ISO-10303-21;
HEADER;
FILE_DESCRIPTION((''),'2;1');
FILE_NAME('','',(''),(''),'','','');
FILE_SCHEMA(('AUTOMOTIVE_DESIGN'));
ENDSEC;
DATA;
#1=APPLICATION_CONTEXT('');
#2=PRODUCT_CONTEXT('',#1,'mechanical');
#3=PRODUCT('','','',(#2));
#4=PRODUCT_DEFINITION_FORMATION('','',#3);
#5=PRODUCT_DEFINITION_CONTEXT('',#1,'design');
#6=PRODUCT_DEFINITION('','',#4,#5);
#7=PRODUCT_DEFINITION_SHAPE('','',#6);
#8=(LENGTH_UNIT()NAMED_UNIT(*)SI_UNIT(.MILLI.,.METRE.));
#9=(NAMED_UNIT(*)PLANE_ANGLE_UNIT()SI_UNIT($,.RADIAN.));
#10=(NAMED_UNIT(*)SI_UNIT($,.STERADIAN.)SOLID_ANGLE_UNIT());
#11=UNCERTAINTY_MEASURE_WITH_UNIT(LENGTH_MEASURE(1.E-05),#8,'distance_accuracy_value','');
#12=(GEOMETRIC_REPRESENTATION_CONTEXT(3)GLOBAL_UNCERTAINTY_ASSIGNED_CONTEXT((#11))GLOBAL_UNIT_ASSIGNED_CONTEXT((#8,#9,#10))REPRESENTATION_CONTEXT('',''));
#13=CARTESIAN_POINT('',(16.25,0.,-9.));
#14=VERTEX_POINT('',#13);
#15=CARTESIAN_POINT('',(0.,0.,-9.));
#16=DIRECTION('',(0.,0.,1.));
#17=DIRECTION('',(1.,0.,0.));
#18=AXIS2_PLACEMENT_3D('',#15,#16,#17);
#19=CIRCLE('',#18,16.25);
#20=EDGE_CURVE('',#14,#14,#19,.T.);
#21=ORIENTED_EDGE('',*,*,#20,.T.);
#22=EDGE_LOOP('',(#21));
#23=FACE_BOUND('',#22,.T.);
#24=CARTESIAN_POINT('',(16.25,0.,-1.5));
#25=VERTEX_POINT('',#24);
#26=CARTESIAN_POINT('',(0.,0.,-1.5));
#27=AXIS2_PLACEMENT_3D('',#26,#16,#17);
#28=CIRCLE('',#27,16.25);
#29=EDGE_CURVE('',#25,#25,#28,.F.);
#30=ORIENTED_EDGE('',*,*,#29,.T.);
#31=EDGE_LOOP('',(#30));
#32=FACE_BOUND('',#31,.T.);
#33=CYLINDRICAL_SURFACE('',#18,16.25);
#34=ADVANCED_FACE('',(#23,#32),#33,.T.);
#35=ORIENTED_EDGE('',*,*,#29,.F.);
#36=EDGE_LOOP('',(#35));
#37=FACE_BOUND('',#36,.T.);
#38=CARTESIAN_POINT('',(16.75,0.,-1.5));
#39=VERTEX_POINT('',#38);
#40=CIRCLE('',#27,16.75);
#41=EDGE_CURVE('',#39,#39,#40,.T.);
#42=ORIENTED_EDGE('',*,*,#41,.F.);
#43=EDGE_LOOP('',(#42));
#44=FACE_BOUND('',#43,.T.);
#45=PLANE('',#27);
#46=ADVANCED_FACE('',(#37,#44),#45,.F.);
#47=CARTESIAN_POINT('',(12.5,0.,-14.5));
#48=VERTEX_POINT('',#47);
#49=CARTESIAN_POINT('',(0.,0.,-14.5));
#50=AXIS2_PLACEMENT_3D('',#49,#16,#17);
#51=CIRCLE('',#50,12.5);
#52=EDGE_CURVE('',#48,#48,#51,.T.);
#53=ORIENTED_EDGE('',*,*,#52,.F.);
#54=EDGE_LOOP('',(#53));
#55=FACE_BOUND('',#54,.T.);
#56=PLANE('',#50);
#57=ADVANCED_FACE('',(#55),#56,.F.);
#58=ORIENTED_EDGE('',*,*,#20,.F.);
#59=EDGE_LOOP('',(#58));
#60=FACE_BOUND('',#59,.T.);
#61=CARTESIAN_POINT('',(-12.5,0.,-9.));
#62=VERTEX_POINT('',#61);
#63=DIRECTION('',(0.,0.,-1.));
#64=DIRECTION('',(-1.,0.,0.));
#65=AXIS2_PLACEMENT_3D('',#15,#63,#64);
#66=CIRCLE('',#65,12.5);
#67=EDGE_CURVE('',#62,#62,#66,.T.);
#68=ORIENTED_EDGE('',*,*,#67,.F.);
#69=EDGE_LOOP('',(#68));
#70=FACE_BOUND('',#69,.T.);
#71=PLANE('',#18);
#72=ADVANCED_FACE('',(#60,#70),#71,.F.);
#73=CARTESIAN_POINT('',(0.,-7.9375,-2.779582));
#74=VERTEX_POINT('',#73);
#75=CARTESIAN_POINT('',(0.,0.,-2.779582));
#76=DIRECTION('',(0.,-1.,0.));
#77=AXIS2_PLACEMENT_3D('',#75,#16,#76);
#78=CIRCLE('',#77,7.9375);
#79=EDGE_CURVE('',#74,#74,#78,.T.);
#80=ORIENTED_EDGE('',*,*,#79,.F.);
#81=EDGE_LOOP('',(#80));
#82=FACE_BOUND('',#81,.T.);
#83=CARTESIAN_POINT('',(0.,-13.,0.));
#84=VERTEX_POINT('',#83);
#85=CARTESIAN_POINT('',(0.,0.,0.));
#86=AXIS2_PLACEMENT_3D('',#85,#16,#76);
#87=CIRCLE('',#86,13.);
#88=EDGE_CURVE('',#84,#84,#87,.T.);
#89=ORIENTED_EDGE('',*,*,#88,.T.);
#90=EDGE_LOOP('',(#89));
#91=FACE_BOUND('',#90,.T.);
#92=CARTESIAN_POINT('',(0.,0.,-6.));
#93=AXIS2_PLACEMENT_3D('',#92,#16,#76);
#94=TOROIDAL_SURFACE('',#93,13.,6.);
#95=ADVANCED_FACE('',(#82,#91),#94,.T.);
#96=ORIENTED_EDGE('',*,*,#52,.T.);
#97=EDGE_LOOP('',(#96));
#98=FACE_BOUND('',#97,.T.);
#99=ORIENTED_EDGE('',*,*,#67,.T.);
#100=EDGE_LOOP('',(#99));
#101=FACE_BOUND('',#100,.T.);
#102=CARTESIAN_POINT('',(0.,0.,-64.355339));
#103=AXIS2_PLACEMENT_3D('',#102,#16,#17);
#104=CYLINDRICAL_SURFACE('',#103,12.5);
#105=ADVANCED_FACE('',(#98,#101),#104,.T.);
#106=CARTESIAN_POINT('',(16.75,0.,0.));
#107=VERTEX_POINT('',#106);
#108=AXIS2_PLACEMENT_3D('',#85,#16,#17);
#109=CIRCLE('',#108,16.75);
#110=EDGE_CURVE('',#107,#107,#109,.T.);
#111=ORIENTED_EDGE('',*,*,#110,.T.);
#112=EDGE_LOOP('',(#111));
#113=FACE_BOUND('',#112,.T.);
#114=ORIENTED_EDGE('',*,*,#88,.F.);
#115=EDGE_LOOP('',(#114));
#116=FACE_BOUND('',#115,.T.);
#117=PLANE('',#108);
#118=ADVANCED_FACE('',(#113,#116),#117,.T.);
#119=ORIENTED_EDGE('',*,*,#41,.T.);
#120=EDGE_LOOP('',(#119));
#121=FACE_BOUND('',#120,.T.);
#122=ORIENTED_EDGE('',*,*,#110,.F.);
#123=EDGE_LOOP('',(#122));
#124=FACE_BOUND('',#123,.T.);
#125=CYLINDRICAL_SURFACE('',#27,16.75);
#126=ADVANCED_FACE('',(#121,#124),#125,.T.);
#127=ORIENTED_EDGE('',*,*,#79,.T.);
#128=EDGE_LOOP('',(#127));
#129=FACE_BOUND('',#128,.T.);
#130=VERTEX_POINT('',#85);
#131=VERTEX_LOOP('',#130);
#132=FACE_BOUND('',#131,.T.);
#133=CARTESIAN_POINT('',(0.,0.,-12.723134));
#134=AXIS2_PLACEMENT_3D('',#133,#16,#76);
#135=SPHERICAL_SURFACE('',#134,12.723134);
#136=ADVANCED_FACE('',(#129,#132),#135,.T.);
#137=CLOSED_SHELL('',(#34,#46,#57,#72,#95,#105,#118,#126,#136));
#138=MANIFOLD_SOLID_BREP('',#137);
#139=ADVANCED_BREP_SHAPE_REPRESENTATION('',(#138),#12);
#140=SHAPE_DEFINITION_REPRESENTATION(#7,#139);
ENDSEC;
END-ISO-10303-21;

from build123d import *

# Parameters (mm, degrees)
SKETCH1_R           = 16.25
BOSS_EXTRUDE1_DEPTH = 9
SKETCH2_R           = 12.5
BOSS_EXTRUDE3_DEPTH = 5.5
SKETCH3_R           = 16.75
BOSS_EXTRUDE4_DEPTH = 1.5


with BuildPart() as part:
    # Sketch1 → Boss-Extrude1 (new body)
    with BuildSketch(Plane.XY):
        Circle(SKETCH1_R)
    extrude(amount=-BOSS_EXTRUDE1_DEPTH)

    # Sketch2 → Boss-Extrude3 (add)
    with BuildSketch(Plane(origin=(0, 0, -9), x_dir=(-1, 0, 0), z_dir=(0, 0, -1))):
        with Locations(Location((0, 0, 0), (0, 0, 180))):
            Circle(SKETCH2_R)
    extrude(amount=BOSS_EXTRUDE3_DEPTH)

    # Sketch3 → Boss-Extrude4 (add)
    with BuildSketch(Plane.XY):
        Circle(SKETCH3_R)
    extrude(amount=-BOSS_EXTRUDE4_DEPTH)

    # Sketch5 → Cut-Revolve4 (revolve, cut)
    with BuildSketch(Plane(origin=(0, 0, 0), x_dir=(0, 0, -1), z_dir=(1, 0, 0)), mode=Mode.PRIVATE) as cut_revolve4_sk:
        with BuildLine():
            Line((0, 13), (-11.197865554, 13))
            Line((-11.197865554, 13), (-11.197865554, 0))
            Line((-11.197865554, 0), (0, 0))
            ThreePointArc((0, 0), (0.714984963, 4.205055913), (2.779581743, 7.9375))
            ThreePointArc((2.779581743, 7.9375), (0.740603193, 10.112311438), (0, 13))
        make_face()
    revolve(cut_revolve4_sk.sketch.rotate(Axis((0, 0, 11.197865554), (0, 0, -1)), 180), axis=Axis((0, 0, 11.197865554), (0, 0, -1)), mode=Mode.SUBTRACT)


solid = part.part
